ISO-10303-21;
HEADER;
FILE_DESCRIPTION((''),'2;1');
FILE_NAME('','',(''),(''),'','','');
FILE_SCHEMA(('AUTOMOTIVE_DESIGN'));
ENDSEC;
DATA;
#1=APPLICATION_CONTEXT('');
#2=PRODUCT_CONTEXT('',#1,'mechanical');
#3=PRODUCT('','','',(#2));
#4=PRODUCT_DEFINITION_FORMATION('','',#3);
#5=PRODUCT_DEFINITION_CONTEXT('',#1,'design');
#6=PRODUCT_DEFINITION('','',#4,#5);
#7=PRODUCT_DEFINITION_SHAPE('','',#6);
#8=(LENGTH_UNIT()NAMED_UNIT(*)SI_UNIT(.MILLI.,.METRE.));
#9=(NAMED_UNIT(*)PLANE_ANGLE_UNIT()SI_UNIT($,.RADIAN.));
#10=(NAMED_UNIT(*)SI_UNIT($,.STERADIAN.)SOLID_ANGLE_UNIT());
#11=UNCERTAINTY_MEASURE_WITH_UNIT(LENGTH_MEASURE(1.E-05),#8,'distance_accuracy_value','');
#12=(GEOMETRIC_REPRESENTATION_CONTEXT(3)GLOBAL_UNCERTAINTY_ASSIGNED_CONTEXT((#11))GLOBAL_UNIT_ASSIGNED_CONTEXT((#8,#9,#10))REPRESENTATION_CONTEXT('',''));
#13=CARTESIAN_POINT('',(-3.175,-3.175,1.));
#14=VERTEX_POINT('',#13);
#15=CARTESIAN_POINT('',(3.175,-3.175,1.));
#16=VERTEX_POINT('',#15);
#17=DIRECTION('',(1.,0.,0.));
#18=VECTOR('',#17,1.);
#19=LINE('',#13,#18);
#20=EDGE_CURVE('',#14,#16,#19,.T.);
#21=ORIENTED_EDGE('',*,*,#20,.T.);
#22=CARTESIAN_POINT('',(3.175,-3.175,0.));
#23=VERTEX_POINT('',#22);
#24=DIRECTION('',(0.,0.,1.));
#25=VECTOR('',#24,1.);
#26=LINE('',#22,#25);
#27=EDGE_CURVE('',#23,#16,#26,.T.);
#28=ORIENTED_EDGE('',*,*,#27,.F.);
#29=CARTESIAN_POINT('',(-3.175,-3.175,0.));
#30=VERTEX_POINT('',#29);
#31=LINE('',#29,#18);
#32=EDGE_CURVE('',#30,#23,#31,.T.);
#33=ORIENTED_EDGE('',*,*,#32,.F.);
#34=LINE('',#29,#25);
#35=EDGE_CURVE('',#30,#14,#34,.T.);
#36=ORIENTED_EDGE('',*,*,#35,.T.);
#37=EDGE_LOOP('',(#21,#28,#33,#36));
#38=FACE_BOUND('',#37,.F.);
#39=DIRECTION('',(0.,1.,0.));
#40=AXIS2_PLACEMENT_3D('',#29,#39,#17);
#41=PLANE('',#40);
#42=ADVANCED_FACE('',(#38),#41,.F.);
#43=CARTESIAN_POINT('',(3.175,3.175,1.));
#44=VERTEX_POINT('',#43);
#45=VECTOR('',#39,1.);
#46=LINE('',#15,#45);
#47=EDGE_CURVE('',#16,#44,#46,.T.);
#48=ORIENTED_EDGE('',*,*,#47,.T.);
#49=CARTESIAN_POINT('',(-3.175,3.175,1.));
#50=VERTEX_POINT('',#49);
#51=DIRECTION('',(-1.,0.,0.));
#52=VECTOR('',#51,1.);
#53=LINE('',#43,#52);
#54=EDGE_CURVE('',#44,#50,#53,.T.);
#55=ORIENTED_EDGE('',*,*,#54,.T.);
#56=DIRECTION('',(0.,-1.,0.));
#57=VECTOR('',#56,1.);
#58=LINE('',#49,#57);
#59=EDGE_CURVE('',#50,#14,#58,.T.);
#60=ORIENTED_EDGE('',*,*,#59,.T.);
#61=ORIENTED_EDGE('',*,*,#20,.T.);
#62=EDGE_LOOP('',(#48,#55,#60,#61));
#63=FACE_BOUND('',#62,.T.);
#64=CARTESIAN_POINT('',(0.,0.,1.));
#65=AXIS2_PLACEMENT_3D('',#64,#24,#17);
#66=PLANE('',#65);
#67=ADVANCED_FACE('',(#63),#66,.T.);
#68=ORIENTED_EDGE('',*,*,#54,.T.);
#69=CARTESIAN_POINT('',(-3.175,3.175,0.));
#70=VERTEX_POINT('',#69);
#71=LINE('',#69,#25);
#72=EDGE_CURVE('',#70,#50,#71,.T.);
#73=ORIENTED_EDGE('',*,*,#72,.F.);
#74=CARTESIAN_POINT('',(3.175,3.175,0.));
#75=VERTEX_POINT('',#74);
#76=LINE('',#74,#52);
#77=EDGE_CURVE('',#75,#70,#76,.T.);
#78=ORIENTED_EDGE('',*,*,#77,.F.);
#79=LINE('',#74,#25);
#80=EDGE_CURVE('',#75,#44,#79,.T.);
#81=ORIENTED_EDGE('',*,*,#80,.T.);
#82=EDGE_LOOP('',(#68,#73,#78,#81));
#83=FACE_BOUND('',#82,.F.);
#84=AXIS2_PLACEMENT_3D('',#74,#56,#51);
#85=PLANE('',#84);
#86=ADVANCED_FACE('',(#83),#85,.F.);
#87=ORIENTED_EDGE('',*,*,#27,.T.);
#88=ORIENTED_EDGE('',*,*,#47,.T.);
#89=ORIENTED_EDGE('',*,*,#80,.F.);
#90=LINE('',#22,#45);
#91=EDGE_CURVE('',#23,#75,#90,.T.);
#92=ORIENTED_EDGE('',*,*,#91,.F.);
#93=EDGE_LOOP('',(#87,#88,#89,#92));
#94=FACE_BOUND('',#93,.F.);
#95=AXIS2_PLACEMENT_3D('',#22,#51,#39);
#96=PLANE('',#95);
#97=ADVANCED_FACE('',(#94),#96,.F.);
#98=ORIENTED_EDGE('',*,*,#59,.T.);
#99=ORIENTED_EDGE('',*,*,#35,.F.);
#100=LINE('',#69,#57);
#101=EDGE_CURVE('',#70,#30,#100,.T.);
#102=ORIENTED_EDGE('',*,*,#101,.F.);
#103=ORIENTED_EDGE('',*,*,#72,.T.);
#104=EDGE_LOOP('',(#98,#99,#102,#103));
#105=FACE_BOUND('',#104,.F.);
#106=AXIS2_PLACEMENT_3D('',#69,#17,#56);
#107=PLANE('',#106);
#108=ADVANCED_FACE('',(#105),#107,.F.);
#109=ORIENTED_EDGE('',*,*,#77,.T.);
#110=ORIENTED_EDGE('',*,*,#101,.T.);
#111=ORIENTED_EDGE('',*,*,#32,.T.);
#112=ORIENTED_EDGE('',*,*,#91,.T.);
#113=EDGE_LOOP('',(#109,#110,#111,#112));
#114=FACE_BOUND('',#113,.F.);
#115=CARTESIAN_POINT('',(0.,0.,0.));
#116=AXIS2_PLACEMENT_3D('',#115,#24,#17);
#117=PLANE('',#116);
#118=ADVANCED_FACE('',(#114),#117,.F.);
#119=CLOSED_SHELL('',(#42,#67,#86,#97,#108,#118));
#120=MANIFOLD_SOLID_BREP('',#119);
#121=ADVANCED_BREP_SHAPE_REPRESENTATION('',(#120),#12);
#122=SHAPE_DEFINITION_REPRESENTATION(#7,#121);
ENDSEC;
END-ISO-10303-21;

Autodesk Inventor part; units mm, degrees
ref_plane "YZ Plane" through (0, 0, 0) normal (1, 0, 0) x (0, 1, 0)
ref_plane "XZ Plane" through (0, 0, 0) normal (0, 1, 0) x (-1, 0, 0)
ref_plane "XY Plane" through (0, 0, 0) normal (0, 0, 1) x (1, 0, 0)
sketch "Sketch1" plane through (0, 0, 0) normal (0, 0, 1) x (1, 0, 0)
  line L0 (3.175, -3.175) -> (3.175, 3.175)
  line L1 (3.175, 3.175) -> (-3.175, 3.175)
  line L2 (-3.175, 3.175) -> (-3.175, -3.175)
  line L3 (-3.175, -3.175) -> (3.175, -3.175)
  line L4 (0, 0) -> (1.3238, 0)
  line L5 (0, 0) -> (0, 0.8095)
  dimension "d0" = 6.35
  dimension "d1" = 6.35
extrude "Extrusion1" add sketch "Sketch1" along normal blind 1
properties part number "RX_tan_U9_SA601"
